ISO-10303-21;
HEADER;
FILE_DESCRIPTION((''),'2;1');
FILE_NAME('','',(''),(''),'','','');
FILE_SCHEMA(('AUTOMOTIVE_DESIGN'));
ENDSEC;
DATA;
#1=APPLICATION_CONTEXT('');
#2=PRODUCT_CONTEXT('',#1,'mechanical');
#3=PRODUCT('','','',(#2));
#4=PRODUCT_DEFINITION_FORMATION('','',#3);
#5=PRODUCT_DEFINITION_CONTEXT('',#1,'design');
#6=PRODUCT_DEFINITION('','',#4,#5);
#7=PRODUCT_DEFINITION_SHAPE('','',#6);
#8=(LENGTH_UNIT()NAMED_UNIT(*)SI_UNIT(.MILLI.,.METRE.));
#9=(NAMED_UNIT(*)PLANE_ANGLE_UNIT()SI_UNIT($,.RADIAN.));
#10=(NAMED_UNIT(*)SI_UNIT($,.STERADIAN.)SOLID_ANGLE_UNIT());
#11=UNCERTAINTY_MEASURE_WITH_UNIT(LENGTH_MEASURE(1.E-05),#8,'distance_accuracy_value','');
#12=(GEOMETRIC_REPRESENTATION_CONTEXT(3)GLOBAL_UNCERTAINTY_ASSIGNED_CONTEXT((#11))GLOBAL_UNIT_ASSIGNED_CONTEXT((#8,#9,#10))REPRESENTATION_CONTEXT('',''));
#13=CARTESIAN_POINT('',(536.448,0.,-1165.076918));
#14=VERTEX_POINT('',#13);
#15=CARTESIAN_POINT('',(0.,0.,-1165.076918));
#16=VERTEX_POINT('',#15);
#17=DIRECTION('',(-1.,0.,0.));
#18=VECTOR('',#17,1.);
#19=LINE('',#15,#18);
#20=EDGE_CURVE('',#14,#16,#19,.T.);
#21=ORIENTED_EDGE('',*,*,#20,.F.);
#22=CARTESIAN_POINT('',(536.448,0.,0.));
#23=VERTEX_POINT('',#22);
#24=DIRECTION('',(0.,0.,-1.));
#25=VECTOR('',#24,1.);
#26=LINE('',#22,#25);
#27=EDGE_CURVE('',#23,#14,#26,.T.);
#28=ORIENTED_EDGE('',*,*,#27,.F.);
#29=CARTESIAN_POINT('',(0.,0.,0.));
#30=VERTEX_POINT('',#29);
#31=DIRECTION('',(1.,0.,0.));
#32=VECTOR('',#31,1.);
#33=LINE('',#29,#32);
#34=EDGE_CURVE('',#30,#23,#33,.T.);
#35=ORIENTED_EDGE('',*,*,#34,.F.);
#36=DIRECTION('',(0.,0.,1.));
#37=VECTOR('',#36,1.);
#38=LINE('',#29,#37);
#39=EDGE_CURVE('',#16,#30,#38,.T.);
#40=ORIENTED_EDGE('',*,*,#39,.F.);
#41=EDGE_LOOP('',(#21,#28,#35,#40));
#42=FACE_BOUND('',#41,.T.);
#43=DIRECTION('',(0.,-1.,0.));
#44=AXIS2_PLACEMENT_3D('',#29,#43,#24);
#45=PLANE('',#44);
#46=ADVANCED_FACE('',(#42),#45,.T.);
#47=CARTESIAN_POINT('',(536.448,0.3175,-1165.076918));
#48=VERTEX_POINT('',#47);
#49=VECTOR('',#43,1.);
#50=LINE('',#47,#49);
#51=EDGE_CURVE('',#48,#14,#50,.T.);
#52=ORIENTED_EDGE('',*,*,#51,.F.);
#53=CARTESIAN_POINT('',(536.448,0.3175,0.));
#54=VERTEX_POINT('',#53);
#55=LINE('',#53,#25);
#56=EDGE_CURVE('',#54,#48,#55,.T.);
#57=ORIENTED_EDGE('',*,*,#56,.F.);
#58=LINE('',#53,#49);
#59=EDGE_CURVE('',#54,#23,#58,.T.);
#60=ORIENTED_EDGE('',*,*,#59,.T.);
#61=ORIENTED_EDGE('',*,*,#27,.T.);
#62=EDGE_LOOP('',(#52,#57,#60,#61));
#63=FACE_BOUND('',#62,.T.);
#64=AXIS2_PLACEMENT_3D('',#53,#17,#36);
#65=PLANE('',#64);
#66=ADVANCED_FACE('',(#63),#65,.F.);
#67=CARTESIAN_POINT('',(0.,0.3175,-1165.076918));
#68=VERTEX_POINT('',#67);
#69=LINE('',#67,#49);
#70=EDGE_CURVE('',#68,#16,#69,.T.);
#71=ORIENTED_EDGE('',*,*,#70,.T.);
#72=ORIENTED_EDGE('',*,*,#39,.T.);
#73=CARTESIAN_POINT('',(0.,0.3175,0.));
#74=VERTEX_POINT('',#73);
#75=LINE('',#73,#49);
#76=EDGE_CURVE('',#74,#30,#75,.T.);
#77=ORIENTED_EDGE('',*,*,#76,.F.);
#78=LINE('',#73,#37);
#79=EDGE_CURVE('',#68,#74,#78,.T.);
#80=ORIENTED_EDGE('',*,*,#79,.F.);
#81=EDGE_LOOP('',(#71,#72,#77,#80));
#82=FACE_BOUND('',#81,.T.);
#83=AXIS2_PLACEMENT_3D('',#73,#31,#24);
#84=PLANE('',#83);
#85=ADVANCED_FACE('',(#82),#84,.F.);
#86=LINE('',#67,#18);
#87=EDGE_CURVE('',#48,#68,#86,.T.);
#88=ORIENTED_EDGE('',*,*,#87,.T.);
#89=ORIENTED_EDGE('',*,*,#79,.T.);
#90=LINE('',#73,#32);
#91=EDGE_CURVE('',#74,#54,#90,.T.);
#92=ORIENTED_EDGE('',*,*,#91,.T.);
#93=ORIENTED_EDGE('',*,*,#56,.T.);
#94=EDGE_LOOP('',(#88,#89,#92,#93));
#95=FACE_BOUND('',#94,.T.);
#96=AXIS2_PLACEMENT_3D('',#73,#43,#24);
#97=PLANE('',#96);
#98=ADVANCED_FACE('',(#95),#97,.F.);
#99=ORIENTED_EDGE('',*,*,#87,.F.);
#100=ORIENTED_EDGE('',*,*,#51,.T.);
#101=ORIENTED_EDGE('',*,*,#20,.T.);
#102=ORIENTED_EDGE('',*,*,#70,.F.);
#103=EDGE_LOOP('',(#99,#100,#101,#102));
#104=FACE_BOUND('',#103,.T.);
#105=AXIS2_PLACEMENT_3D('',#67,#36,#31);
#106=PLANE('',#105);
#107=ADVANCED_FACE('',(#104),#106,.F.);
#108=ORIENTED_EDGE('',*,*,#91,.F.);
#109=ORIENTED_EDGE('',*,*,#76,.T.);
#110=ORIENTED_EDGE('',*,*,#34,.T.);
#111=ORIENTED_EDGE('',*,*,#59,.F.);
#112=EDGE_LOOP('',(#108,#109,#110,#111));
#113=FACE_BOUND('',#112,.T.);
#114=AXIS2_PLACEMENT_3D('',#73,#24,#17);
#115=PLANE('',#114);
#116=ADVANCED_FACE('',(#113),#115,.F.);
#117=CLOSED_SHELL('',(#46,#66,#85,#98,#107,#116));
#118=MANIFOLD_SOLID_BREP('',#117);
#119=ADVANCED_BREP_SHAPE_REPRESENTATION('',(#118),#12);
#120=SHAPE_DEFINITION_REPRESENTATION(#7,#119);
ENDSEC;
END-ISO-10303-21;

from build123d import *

# Parameters (mm, degrees)
SKETCH2_W           = 536.448
SKETCH2_H           = 1165.076918
BOSS_EXTRUDE2_DEPTH = 0.3175


with BuildPart() as part:
    # Sketch2 → Boss-Extrude2 (new body)
    with BuildSketch(Plane(origin=(0, 0, 0), x_dir=(1, 0, 0), z_dir=(0, 1, 0))):
        with Locations((268.224, 582.538459)):
            Rectangle(SKETCH2_W, SKETCH2_H)
    extrude(amount=BOSS_EXTRUDE2_DEPTH)


solid = part.part
